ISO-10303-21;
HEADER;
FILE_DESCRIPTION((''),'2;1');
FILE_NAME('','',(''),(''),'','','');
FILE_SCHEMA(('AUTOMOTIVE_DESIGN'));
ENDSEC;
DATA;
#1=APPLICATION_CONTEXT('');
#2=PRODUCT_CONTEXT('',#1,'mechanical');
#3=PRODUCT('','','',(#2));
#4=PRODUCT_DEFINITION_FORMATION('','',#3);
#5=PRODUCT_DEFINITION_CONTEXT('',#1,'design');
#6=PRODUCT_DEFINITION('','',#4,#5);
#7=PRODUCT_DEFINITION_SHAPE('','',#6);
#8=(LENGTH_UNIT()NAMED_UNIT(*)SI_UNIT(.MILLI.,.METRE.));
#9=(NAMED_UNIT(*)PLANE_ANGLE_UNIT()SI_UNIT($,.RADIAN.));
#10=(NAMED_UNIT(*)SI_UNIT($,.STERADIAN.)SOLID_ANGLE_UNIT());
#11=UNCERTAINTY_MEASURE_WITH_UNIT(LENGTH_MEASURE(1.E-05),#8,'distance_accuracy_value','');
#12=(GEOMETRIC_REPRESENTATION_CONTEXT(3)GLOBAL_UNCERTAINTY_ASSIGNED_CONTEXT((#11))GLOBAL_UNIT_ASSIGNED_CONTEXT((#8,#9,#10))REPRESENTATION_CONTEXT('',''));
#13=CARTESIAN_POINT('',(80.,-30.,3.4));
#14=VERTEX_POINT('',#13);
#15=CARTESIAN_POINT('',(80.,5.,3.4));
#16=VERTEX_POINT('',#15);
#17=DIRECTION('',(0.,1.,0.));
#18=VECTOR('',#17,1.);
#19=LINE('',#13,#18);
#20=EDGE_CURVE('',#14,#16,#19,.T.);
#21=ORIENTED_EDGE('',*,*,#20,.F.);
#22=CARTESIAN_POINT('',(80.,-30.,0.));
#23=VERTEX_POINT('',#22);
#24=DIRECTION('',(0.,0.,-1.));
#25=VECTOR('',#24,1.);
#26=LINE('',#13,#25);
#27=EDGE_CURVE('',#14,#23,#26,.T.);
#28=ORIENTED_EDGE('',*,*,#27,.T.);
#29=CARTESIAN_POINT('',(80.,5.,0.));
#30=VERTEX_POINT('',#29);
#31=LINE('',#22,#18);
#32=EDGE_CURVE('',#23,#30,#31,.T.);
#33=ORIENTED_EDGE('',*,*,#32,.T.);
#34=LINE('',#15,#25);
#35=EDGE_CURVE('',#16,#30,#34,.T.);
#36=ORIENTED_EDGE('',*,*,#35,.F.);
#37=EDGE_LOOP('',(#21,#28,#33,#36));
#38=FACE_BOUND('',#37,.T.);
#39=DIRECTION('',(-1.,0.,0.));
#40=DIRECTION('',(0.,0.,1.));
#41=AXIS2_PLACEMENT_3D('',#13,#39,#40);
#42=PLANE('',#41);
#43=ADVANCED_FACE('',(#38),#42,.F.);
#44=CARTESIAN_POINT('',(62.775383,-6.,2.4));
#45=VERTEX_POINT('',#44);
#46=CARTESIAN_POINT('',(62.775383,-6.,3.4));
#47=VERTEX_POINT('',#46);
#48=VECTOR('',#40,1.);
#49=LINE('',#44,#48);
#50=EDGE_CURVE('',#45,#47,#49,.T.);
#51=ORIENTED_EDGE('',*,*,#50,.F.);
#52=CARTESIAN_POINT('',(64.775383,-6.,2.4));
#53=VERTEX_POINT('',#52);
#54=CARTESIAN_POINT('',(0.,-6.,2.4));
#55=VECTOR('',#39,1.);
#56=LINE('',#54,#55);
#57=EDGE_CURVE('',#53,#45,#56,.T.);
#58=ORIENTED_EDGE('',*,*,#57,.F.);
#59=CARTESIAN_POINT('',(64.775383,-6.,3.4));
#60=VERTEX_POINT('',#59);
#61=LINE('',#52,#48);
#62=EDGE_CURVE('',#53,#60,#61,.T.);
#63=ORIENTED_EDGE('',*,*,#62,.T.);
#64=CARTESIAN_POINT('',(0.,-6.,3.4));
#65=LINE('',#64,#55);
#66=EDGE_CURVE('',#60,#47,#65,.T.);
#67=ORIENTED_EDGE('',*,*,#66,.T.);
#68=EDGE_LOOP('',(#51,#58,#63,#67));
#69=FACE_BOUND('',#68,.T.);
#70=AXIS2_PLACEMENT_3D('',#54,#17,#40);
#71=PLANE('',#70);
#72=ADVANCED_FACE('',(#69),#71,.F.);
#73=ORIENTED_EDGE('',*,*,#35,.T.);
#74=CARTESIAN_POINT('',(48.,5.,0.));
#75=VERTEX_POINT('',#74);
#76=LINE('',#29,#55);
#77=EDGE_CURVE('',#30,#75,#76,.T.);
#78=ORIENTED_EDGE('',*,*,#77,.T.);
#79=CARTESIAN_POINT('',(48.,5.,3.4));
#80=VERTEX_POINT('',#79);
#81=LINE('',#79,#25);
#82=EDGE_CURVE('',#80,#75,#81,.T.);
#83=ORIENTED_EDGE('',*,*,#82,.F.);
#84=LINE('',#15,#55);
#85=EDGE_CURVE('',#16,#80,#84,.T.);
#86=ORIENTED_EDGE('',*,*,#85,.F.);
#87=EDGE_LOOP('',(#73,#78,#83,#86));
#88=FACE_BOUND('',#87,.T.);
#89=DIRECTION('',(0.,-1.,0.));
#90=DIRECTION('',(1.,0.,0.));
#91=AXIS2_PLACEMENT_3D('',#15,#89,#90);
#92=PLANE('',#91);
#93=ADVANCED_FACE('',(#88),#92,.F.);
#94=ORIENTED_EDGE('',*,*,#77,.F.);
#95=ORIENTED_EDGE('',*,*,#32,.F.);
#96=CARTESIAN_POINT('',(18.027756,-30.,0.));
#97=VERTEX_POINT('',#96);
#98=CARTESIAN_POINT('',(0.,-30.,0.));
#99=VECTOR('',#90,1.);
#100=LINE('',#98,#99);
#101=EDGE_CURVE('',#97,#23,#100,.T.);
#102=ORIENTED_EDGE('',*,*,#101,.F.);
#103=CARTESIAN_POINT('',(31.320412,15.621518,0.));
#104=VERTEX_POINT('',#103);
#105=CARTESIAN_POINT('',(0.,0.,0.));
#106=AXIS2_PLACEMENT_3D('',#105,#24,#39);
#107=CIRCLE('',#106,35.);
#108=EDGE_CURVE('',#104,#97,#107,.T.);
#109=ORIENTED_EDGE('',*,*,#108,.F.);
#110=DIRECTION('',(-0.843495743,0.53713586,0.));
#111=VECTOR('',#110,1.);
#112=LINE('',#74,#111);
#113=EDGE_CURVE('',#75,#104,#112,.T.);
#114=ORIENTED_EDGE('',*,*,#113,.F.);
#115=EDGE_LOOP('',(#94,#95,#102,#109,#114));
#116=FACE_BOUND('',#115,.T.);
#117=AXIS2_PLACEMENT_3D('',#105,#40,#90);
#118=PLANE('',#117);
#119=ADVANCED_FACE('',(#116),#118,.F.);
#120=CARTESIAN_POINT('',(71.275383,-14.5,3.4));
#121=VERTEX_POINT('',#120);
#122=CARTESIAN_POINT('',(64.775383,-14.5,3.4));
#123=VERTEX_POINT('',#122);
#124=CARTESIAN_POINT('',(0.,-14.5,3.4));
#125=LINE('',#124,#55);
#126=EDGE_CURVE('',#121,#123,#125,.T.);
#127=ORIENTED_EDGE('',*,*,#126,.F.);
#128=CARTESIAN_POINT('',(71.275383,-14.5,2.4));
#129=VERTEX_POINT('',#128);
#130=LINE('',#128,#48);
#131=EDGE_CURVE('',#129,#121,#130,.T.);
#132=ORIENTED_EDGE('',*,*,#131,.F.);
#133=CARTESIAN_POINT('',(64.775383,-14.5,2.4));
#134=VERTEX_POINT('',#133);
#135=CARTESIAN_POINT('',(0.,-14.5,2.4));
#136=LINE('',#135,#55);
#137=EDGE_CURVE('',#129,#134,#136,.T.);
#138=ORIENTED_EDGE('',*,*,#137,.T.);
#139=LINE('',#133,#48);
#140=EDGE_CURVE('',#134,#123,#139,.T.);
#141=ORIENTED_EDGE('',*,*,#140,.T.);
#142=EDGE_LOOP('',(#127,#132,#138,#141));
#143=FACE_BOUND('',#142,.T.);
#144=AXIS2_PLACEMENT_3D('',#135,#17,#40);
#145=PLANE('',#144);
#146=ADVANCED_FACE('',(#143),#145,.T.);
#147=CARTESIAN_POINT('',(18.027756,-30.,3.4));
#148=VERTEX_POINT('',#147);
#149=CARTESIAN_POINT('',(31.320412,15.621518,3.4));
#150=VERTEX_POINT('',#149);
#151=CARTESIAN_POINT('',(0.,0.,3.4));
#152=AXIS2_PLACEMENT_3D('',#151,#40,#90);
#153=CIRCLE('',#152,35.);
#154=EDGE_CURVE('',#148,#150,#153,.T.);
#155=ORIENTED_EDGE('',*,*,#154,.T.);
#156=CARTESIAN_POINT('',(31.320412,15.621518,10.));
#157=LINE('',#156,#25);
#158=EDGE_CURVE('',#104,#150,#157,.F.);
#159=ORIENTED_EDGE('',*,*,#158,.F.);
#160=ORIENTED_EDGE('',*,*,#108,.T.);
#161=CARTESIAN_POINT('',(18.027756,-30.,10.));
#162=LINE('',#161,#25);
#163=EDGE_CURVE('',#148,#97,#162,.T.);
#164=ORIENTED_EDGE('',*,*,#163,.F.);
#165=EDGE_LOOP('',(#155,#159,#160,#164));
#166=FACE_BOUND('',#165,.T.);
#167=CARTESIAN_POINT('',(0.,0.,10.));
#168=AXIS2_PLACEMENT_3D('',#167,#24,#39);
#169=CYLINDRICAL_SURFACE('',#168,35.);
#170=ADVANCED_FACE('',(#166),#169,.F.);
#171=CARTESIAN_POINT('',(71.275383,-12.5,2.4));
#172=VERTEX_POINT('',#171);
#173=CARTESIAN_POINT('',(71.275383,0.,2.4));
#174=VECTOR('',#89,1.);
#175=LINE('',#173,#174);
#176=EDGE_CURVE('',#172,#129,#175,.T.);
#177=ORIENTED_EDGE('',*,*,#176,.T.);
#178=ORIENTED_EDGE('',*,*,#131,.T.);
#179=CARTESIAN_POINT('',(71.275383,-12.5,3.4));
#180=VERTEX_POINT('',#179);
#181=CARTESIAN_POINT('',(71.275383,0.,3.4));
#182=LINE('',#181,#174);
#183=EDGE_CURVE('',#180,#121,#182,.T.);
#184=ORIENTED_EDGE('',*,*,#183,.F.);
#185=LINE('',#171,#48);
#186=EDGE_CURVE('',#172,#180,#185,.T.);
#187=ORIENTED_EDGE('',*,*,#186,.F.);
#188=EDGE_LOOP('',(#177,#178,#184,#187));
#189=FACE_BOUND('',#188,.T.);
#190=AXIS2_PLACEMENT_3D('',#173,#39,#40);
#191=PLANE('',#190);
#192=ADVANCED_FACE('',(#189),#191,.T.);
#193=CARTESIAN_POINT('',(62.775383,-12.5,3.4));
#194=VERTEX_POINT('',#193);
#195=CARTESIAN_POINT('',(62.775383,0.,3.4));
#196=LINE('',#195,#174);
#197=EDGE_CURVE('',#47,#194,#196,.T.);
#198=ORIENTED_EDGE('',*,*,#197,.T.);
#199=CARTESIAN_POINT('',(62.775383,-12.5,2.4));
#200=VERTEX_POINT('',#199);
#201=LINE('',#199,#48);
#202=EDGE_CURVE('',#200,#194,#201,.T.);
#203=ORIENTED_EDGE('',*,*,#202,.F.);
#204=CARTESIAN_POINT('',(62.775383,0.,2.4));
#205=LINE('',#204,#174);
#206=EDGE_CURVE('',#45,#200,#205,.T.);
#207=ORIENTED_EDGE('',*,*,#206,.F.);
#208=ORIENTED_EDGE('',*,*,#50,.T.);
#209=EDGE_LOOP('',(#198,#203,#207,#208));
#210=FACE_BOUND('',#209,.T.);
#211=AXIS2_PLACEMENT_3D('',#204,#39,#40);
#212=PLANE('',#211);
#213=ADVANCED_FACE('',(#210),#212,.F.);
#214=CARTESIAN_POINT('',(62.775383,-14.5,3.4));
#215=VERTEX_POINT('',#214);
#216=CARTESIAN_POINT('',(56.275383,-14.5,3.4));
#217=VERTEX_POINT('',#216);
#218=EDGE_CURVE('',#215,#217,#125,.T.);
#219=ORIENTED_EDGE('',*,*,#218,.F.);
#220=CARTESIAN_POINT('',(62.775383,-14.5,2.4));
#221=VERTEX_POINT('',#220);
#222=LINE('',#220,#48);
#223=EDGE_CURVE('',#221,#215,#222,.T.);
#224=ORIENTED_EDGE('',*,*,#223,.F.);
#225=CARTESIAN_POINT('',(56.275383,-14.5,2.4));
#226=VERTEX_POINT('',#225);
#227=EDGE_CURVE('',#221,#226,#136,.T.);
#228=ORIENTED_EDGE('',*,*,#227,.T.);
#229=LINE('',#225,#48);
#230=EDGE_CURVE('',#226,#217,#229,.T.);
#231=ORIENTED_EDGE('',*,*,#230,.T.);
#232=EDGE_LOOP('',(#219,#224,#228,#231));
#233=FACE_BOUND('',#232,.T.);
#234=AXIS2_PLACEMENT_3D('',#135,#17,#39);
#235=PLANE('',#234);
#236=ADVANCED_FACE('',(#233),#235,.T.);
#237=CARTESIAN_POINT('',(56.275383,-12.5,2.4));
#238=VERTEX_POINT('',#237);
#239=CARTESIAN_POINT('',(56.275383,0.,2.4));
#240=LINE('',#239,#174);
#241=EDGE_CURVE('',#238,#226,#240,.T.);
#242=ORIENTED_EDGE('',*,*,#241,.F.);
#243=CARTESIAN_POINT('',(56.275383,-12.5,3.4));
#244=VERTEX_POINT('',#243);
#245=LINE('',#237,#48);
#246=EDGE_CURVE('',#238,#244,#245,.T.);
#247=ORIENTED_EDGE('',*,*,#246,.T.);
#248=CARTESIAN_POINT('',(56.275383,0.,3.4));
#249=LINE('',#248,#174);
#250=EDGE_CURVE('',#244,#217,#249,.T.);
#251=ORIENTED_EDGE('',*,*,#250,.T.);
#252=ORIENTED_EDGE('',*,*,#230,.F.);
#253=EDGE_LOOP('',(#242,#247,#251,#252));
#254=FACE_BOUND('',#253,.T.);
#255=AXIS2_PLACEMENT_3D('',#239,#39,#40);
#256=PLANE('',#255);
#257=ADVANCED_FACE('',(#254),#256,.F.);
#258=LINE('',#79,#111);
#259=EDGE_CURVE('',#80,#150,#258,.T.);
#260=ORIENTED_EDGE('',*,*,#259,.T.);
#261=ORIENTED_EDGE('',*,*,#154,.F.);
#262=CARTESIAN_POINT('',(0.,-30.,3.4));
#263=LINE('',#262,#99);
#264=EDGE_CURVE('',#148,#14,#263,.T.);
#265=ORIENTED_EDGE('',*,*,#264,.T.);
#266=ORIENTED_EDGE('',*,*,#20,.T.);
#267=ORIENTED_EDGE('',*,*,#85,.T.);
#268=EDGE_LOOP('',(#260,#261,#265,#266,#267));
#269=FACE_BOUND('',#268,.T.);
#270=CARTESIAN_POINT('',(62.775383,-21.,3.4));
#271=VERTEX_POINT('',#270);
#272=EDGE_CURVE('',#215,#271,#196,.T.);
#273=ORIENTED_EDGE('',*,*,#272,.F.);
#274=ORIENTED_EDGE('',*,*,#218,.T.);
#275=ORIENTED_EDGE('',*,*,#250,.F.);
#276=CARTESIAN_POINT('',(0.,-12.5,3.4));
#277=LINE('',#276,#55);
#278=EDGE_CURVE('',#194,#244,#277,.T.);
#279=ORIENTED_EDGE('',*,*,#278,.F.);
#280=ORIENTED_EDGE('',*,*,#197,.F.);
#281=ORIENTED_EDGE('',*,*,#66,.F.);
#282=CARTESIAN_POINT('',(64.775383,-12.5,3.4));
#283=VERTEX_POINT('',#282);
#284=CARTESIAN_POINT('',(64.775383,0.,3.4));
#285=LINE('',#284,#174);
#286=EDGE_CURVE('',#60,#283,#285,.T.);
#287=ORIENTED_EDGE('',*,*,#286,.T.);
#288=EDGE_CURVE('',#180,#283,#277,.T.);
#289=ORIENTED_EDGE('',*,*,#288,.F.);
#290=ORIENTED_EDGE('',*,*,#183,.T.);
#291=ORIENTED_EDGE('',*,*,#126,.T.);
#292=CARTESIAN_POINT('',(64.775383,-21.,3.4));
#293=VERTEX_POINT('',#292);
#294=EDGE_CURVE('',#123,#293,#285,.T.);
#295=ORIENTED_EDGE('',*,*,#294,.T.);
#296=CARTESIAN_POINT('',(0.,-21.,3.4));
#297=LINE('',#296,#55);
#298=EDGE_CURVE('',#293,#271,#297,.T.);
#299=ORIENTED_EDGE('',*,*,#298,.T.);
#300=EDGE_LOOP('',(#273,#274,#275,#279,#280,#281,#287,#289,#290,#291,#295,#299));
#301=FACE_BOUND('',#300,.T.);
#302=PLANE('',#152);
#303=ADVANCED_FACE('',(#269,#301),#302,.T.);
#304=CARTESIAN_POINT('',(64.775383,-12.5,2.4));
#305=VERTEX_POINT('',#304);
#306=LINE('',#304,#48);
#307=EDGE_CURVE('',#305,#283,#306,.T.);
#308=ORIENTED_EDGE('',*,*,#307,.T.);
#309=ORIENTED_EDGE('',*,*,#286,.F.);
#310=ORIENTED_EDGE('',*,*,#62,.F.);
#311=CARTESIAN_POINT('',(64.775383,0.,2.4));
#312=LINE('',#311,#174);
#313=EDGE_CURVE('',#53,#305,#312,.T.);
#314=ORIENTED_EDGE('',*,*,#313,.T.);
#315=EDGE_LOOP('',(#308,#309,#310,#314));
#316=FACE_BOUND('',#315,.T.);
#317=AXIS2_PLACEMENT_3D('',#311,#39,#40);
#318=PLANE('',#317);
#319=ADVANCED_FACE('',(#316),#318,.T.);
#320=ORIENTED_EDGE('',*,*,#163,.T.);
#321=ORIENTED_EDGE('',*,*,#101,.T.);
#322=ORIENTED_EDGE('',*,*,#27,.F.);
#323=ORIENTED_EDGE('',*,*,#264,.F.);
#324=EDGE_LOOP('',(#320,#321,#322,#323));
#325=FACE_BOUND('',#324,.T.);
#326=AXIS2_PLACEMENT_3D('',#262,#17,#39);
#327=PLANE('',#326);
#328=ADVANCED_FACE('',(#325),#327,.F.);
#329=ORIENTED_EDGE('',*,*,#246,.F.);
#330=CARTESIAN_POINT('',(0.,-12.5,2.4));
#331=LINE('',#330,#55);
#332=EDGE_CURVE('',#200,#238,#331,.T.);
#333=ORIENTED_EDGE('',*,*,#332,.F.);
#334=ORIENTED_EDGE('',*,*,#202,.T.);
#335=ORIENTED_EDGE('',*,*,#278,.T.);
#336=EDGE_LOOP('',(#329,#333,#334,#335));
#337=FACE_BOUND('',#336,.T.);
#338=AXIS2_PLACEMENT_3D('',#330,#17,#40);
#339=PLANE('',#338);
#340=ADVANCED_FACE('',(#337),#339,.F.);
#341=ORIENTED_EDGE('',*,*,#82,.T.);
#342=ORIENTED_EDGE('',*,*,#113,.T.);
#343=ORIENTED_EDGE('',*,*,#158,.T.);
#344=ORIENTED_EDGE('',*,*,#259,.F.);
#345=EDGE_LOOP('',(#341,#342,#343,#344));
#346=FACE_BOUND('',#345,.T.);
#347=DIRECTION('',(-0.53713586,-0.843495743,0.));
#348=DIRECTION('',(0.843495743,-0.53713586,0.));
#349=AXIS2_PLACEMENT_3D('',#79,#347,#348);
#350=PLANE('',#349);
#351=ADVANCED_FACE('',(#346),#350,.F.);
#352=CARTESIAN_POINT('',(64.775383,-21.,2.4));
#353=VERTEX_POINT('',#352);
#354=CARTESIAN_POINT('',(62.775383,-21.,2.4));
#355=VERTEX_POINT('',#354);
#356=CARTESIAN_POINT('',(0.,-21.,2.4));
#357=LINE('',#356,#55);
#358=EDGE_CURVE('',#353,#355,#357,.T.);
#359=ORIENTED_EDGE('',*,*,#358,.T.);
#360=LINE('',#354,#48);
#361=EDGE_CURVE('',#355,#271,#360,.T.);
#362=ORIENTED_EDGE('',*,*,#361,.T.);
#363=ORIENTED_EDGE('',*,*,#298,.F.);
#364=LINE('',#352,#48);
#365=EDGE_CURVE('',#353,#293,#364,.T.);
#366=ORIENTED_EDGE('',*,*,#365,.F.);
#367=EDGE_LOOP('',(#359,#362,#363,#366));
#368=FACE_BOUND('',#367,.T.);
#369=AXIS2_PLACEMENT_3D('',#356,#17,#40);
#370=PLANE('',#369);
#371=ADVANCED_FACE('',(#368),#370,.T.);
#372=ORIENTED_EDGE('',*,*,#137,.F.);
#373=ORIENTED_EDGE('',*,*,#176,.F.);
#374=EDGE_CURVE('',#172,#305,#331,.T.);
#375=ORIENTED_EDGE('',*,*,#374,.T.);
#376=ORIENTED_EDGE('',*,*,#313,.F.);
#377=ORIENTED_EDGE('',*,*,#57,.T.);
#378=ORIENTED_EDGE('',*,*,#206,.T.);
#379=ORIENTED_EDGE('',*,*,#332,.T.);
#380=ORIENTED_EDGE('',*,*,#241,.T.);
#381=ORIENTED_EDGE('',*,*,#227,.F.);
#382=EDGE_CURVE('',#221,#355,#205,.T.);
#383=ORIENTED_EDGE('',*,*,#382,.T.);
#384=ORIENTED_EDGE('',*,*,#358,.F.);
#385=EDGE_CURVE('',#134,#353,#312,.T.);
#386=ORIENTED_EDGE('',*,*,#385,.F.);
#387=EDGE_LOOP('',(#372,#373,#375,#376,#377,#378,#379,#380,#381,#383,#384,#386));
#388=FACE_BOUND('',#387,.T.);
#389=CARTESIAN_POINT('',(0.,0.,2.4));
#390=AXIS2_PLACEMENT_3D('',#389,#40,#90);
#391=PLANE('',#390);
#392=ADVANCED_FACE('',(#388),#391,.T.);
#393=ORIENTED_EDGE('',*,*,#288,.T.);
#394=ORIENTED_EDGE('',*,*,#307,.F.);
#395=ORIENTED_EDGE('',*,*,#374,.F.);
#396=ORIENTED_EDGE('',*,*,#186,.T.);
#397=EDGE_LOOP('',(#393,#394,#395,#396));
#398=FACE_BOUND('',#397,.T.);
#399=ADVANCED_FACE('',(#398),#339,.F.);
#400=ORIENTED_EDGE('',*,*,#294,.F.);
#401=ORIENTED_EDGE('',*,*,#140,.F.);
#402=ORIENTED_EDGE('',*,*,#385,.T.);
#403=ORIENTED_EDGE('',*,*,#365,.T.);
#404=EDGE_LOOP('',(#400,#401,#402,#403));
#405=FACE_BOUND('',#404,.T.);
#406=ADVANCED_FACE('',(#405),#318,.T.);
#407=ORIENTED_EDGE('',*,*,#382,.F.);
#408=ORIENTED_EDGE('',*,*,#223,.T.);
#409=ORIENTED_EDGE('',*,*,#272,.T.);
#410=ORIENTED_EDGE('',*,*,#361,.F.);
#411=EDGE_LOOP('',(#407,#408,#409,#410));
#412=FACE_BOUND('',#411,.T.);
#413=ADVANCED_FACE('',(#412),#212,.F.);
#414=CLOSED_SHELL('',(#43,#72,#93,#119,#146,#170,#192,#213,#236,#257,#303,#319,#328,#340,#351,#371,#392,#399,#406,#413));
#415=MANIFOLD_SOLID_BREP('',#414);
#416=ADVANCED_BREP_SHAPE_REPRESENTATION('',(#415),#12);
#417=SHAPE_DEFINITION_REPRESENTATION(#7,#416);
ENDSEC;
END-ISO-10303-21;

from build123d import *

# Parameters (mm, degrees)
BOSS_EXTRUDE1_DEPTH = 3.4
SKETCH3_R           = 5
CUT_EXTRUDE1_DEPTH  = 6
CUT_EXTRUDE2_DEPTH  = 10
SKETCH6_R           = 35
CUT_EXTRUDE3_DEPTH  = 10
CUT_EXTRUDE4_DEPTH  = 1


with BuildPart() as part:
    # Sketch1 → Boss-Extrude1 (new body)
    with BuildSketch(Plane.XY):
        with BuildLine():
            Line((0, -30), (80, -30))
            Line((80, -30), (80, 5))
            Line((80, 5), (48, 5))
            Line((48, 5), (16.114075804, 25.304872277))
            ThreePointArc((16.114075804, 25.304872277), (-28.802310396, 8.392074585), (0, -30))
        make_face()
    extrude(amount=BOSS_EXTRUDE1_DEPTH)

    # Sketch3 → Cut-Extrude1 (cut)
    with BuildSketch(Plane.XY.offset(3.4)):
        Circle(SKETCH3_R)
    extrude(amount=-CUT_EXTRUDE1_DEPTH, mode=Mode.SUBTRACT)

    # Sketch5 → Cut-Extrude2 (cut)
    with BuildSketch(Plane.XY.offset(3.4)):
        with BuildLine():
            ThreePointArc((0, 10), (-8.660254038, 5), (-8.660254038, -5))
            ThreePointArc((-8.660254038, -5), (-10.124355653, -10.464101615), (-15.588457268, -9))
            ThreePointArc((-15.588457268, -9), (-15.588457268, 9), (0, 18))
            ThreePointArc((0, 18), (4, 14), (0, 10))
        make_face()
    extrude(amount=-CUT_EXTRUDE2_DEPTH, mode=Mode.SUBTRACT)

    # Sketch6 → Cut-Extrude3 (cut)
    with BuildSketch(Plane(origin=(0, 0, 0), x_dir=(-1, 0, 0), z_dir=(0, 0, -1))):
        Circle(SKETCH6_R)
    extrude(amount=-CUT_EXTRUDE3_DEPTH, mode=Mode.SUBTRACT)

    # Sketch7 → Cut-Extrude4 (cut)
    with BuildSketch(Plane.XY.offset(3.4)):
        Polygon((62.77538264, -14.5), (62.77538264, -21), (64.77538264, -21), (64.77538264, -14.5), (71.27538264, -14.5), (71.27538264, -12.5), (64.77538264, -12.5), (64.77538264, -6), (62.77538264, -6), (62.77538264, -12.5), (56.27538264, -12.5), (56.27538264, -14.5), align=None)
    extrude(amount=-CUT_EXTRUDE4_DEPTH, mode=Mode.SUBTRACT)


solid = part.part
